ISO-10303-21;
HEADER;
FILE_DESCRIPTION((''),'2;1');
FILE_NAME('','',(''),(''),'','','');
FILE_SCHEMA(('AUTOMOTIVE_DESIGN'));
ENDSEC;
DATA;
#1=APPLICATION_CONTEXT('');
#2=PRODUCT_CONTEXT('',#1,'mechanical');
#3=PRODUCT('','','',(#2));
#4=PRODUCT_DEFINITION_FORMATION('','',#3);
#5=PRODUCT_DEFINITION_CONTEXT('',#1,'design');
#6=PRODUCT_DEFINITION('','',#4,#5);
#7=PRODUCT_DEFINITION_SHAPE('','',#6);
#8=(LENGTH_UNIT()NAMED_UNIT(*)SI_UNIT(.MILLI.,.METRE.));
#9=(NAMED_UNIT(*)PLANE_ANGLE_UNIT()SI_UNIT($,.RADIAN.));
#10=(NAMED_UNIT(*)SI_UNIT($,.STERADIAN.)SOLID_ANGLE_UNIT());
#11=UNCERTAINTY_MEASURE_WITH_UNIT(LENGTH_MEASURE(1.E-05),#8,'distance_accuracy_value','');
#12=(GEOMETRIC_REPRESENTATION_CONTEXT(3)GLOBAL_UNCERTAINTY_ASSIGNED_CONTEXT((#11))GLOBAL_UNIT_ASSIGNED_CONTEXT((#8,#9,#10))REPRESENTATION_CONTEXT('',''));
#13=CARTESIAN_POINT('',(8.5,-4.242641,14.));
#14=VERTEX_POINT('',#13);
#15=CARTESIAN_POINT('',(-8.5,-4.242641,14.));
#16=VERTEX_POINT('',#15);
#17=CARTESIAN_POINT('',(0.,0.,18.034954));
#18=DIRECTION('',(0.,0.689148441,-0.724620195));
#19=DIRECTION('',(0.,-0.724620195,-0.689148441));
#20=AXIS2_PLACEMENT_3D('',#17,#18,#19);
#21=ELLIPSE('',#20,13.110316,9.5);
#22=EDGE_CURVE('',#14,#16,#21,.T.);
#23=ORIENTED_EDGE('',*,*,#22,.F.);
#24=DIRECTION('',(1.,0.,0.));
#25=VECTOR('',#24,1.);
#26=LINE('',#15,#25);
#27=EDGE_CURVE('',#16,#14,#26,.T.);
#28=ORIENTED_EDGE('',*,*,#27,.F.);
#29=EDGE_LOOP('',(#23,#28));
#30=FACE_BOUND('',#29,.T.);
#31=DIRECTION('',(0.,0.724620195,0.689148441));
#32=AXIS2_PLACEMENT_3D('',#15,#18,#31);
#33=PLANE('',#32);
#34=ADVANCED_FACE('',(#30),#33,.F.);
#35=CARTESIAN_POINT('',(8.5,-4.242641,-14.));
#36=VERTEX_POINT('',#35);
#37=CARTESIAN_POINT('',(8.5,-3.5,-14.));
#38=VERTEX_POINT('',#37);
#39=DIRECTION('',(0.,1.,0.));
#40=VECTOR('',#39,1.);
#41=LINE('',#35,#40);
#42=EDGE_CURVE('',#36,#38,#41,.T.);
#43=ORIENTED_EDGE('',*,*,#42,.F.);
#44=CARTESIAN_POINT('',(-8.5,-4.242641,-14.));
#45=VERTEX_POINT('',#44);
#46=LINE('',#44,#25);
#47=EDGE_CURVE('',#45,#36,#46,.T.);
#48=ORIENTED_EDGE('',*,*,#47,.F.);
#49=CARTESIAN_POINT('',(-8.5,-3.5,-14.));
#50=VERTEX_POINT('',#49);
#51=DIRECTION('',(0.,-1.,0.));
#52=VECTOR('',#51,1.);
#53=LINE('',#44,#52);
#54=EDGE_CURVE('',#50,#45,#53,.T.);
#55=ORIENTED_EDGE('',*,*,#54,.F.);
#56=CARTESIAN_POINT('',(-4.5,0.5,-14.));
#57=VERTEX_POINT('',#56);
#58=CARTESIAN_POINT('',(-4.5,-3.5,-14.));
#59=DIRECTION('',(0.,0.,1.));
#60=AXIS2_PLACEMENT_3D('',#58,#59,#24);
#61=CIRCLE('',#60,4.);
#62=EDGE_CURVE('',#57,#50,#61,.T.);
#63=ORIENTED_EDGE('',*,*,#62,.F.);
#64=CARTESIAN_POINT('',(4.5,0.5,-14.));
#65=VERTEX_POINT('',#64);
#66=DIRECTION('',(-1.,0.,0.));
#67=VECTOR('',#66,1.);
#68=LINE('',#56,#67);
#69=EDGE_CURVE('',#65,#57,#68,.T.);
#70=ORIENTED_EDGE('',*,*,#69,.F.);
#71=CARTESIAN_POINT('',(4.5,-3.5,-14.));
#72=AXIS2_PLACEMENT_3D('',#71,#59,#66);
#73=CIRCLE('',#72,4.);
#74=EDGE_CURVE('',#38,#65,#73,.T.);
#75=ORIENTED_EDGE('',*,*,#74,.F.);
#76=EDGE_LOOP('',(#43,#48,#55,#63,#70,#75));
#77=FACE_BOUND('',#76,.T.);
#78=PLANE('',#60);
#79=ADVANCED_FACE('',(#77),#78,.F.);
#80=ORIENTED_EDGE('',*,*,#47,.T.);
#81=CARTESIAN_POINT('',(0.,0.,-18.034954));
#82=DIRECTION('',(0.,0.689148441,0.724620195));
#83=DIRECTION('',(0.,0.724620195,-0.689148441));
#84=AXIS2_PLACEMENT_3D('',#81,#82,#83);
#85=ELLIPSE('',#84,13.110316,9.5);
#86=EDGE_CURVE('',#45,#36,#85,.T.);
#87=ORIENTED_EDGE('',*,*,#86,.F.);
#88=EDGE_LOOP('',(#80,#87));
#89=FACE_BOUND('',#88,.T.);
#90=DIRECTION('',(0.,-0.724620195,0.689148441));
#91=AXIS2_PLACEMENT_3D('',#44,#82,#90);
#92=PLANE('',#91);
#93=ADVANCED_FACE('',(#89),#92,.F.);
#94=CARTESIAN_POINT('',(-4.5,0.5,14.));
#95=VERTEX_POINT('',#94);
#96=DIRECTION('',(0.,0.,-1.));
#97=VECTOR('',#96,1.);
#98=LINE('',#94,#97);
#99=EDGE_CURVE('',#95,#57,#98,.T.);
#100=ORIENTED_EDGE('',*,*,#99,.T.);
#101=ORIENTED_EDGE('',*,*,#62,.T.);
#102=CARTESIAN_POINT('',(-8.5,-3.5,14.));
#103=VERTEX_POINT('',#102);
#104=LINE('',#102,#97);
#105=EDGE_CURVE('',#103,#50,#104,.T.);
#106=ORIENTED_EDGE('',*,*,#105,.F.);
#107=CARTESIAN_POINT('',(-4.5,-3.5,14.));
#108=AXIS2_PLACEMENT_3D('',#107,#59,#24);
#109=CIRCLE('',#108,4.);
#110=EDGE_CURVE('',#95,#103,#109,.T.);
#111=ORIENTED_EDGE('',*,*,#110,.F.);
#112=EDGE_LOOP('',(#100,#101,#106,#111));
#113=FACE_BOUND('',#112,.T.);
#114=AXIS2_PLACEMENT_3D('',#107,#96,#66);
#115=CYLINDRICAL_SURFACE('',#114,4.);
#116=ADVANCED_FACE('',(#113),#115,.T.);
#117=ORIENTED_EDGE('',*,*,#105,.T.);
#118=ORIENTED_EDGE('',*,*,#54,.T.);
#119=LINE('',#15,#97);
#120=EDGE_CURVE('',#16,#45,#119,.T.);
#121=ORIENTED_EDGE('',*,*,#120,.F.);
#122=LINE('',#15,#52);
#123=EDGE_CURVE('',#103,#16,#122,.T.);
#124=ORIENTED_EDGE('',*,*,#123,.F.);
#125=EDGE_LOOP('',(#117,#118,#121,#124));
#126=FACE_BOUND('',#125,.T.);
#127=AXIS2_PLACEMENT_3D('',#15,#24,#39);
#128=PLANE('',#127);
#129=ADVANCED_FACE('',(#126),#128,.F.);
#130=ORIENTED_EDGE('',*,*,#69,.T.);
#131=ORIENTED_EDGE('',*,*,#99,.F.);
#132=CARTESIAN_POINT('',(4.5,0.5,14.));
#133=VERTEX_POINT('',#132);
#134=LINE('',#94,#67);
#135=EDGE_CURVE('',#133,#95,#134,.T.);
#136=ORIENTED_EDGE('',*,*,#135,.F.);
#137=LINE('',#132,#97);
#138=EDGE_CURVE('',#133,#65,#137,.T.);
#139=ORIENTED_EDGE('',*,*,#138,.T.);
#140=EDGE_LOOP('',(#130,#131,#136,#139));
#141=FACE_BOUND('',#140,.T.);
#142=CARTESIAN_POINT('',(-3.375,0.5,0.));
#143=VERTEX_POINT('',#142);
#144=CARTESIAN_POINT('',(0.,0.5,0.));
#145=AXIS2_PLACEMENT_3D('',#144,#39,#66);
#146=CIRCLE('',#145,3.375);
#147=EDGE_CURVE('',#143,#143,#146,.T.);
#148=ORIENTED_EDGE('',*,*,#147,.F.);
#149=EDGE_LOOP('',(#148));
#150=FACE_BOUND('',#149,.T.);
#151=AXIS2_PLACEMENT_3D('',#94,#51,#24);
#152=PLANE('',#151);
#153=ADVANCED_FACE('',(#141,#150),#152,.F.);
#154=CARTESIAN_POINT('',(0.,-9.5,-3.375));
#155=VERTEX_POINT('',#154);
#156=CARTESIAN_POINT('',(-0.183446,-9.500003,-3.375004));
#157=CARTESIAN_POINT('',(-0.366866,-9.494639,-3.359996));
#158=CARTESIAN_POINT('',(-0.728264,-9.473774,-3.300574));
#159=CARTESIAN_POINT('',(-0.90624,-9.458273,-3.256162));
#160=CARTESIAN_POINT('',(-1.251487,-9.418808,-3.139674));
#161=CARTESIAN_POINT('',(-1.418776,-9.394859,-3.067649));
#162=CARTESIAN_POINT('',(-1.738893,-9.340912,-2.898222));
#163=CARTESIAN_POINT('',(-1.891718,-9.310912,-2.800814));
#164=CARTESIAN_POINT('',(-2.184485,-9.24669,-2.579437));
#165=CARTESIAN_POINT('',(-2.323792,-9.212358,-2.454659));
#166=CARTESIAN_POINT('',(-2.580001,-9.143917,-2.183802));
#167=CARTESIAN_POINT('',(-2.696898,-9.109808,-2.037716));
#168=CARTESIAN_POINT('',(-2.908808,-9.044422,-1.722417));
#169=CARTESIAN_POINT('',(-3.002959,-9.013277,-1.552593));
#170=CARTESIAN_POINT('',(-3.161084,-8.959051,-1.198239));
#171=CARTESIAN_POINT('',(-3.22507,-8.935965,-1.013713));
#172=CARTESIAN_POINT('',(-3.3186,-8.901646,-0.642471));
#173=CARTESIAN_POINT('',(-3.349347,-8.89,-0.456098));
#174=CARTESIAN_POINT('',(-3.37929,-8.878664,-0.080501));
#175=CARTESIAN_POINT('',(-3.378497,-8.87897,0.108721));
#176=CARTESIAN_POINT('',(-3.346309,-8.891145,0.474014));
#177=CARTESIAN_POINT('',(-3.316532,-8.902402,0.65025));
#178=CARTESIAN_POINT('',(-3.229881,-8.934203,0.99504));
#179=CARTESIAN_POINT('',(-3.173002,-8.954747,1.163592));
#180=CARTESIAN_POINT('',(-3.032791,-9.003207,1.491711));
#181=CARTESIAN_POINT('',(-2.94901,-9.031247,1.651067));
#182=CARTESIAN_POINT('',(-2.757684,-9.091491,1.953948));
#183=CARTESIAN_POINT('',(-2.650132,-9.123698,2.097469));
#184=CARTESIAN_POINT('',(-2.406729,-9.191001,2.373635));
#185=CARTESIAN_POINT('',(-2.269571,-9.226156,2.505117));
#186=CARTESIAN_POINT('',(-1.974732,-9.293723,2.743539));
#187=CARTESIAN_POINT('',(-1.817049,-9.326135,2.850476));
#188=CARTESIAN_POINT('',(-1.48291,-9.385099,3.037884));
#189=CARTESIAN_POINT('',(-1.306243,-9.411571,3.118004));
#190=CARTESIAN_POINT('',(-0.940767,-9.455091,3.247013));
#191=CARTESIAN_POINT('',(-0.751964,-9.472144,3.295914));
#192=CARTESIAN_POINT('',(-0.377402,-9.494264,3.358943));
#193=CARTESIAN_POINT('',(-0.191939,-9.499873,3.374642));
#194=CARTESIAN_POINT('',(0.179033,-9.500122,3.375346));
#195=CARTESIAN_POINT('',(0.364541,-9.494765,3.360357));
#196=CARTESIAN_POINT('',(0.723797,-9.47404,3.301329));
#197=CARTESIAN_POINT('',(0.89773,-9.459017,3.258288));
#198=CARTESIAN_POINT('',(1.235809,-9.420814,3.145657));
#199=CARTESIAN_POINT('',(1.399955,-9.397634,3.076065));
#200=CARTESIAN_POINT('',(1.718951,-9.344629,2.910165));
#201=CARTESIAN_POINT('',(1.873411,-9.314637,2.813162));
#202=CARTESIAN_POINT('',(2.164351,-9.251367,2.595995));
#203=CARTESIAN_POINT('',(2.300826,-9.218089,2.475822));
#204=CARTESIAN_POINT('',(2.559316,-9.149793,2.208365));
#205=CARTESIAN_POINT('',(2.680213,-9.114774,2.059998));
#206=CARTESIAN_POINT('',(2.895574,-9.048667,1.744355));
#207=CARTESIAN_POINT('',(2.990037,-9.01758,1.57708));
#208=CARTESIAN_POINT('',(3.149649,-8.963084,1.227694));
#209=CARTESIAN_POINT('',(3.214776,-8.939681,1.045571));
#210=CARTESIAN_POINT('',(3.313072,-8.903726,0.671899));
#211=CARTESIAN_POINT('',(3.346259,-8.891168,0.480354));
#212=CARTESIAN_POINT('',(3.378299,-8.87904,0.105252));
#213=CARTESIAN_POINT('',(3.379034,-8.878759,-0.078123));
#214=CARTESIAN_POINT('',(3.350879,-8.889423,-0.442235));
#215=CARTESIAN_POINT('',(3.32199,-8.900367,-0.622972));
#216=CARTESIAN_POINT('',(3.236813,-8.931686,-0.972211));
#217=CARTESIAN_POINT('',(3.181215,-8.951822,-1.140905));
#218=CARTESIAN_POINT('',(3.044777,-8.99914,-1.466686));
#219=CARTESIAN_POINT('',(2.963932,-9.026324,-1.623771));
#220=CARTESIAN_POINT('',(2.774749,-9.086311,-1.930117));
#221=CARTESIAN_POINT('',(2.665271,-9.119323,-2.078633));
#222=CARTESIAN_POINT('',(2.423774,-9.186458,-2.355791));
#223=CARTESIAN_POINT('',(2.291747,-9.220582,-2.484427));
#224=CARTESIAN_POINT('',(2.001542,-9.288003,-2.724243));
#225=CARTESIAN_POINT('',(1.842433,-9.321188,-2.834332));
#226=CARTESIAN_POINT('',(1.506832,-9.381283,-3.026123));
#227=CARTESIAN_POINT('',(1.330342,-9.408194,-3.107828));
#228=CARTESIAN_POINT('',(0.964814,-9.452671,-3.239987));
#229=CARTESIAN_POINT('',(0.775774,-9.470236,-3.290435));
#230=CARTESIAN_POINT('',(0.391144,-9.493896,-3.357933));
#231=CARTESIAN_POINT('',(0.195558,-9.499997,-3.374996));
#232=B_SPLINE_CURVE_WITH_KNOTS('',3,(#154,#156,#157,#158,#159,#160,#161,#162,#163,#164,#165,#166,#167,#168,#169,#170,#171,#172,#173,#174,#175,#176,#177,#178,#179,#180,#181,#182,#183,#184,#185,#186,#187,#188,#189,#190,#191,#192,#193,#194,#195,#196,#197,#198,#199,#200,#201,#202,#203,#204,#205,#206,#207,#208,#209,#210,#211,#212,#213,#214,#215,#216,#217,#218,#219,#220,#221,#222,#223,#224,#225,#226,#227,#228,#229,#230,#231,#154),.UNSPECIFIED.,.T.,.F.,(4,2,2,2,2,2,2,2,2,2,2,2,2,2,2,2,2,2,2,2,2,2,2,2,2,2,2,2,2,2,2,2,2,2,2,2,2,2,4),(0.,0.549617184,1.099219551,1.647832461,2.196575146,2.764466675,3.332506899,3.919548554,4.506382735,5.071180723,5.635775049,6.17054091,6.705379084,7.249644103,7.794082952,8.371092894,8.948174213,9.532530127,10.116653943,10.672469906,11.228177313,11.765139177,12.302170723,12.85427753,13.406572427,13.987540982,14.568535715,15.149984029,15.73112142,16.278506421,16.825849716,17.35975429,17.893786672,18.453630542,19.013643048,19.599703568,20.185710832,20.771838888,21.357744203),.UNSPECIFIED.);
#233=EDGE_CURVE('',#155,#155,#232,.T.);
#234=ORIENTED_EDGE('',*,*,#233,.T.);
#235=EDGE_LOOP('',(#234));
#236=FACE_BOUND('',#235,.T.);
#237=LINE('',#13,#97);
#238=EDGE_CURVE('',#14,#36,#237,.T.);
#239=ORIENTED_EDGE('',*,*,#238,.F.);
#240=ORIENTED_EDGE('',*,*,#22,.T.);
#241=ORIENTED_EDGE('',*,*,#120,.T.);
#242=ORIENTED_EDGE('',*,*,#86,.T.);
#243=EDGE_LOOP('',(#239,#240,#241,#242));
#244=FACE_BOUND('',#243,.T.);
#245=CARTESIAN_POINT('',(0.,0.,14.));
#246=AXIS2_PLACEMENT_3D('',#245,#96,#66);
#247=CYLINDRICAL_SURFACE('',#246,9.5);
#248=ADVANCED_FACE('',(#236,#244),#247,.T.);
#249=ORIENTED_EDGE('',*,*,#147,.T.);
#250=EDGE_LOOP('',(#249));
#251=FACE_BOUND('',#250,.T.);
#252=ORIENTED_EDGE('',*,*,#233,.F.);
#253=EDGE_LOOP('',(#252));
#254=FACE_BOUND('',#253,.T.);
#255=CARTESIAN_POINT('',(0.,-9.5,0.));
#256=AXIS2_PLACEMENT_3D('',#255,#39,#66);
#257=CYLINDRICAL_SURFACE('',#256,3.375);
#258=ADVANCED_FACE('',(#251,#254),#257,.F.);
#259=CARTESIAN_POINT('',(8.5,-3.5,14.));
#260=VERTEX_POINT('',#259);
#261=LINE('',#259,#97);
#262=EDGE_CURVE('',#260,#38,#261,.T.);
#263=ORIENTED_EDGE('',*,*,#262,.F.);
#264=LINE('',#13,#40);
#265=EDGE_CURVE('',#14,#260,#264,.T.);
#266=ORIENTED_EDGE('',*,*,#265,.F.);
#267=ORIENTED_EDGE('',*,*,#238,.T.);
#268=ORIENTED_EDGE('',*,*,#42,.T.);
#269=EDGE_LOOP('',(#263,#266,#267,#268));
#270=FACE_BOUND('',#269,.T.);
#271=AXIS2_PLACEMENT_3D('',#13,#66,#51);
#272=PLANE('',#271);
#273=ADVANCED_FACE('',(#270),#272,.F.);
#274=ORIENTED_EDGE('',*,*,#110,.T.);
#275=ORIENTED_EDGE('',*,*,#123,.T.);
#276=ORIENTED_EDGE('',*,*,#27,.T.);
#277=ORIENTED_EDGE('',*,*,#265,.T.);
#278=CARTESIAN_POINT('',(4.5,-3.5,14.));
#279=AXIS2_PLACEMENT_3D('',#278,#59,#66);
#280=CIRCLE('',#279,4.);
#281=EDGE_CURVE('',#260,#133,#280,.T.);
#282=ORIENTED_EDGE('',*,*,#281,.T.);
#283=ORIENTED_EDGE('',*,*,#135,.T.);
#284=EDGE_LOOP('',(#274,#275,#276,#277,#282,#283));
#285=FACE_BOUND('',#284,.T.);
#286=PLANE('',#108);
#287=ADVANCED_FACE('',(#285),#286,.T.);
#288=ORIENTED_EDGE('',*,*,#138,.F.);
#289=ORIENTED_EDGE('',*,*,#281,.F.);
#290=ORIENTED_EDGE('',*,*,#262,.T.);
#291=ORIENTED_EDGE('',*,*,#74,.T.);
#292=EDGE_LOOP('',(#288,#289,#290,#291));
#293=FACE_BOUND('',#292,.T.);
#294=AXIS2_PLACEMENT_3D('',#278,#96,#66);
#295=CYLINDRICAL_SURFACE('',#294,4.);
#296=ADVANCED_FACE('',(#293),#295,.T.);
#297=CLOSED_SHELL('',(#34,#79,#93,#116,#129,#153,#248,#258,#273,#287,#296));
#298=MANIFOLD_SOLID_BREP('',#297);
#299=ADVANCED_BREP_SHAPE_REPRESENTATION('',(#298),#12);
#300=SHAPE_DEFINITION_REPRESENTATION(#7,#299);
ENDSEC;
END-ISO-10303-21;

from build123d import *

# Parameters (mm, degrees)
EXTRUSION1_DEPTH             = 14
ESQUISSE2_R                  = 3.375
ENL_V_MAT_EXTRU_1_DEPTH      = 11
ENL_V_MAT_EXTRU_2_DEPTH      = 9.5000001
ENL_V_MAT_EXTRU_2_DEPTH_BACK = 9.5000001


with BuildPart() as part:
    # Esquisse1 → Extrusion1 (new body, symmetric)
    with BuildSketch(Plane.XY):
        with BuildLine():
            Line((-8.5, -4.242640687), (-8.5, -3.5))
            ThreePointArc((-8.5, -3.5), (-7.328427125, -0.671572875), (-4.5, 0.5))
            Line((-4.5, 0.5), (4.5, 0.5))
            ThreePointArc((4.5, 0.5), (7.328427125, -0.671572875), (8.5, -3.5))
            Line((8.5, -3.5), (8.5, -4.242640687))
            ThreePointArc((8.5, -4.242640687), (0, -9.5), (-8.5, -4.242640687))
        make_face()
    extrude(amount=EXTRUSION1_DEPTH, both=True)

    # Esquisse2 → Enlèv. mat.-Extru.1 (cut, through all)
    with BuildSketch(Plane(origin=(0, 0.5, 0), x_dir=(-1, 0, 0), z_dir=(0, 1, 0))):
        Circle(ESQUISSE2_R)
    extrude(amount=-ENL_V_MAT_EXTRU_1_DEPTH, mode=Mode.SUBTRACT)

    # Esquisse3 → Enlèv. mat.-Extru.2 (cut, two sides)
    with BuildSketch(Plane(origin=(0, 0, 0), x_dir=(0, 0, -1), z_dir=(1, 0, 0))) as enl_v_mat_extru_2_sk:
        Polygon((14, -9.5), (14, -4.242640687), (9, -9.5), align=None)
        Polygon((-14, -9.5), (-14, -4.242640687), (-9, -9.5), align=None)
    extrude(amount=ENL_V_MAT_EXTRU_2_DEPTH, mode=Mode.SUBTRACT)
    extrude(enl_v_mat_extru_2_sk.sketch, amount=-ENL_V_MAT_EXTRU_2_DEPTH_BACK, mode=Mode.SUBTRACT)


solid = part.part
